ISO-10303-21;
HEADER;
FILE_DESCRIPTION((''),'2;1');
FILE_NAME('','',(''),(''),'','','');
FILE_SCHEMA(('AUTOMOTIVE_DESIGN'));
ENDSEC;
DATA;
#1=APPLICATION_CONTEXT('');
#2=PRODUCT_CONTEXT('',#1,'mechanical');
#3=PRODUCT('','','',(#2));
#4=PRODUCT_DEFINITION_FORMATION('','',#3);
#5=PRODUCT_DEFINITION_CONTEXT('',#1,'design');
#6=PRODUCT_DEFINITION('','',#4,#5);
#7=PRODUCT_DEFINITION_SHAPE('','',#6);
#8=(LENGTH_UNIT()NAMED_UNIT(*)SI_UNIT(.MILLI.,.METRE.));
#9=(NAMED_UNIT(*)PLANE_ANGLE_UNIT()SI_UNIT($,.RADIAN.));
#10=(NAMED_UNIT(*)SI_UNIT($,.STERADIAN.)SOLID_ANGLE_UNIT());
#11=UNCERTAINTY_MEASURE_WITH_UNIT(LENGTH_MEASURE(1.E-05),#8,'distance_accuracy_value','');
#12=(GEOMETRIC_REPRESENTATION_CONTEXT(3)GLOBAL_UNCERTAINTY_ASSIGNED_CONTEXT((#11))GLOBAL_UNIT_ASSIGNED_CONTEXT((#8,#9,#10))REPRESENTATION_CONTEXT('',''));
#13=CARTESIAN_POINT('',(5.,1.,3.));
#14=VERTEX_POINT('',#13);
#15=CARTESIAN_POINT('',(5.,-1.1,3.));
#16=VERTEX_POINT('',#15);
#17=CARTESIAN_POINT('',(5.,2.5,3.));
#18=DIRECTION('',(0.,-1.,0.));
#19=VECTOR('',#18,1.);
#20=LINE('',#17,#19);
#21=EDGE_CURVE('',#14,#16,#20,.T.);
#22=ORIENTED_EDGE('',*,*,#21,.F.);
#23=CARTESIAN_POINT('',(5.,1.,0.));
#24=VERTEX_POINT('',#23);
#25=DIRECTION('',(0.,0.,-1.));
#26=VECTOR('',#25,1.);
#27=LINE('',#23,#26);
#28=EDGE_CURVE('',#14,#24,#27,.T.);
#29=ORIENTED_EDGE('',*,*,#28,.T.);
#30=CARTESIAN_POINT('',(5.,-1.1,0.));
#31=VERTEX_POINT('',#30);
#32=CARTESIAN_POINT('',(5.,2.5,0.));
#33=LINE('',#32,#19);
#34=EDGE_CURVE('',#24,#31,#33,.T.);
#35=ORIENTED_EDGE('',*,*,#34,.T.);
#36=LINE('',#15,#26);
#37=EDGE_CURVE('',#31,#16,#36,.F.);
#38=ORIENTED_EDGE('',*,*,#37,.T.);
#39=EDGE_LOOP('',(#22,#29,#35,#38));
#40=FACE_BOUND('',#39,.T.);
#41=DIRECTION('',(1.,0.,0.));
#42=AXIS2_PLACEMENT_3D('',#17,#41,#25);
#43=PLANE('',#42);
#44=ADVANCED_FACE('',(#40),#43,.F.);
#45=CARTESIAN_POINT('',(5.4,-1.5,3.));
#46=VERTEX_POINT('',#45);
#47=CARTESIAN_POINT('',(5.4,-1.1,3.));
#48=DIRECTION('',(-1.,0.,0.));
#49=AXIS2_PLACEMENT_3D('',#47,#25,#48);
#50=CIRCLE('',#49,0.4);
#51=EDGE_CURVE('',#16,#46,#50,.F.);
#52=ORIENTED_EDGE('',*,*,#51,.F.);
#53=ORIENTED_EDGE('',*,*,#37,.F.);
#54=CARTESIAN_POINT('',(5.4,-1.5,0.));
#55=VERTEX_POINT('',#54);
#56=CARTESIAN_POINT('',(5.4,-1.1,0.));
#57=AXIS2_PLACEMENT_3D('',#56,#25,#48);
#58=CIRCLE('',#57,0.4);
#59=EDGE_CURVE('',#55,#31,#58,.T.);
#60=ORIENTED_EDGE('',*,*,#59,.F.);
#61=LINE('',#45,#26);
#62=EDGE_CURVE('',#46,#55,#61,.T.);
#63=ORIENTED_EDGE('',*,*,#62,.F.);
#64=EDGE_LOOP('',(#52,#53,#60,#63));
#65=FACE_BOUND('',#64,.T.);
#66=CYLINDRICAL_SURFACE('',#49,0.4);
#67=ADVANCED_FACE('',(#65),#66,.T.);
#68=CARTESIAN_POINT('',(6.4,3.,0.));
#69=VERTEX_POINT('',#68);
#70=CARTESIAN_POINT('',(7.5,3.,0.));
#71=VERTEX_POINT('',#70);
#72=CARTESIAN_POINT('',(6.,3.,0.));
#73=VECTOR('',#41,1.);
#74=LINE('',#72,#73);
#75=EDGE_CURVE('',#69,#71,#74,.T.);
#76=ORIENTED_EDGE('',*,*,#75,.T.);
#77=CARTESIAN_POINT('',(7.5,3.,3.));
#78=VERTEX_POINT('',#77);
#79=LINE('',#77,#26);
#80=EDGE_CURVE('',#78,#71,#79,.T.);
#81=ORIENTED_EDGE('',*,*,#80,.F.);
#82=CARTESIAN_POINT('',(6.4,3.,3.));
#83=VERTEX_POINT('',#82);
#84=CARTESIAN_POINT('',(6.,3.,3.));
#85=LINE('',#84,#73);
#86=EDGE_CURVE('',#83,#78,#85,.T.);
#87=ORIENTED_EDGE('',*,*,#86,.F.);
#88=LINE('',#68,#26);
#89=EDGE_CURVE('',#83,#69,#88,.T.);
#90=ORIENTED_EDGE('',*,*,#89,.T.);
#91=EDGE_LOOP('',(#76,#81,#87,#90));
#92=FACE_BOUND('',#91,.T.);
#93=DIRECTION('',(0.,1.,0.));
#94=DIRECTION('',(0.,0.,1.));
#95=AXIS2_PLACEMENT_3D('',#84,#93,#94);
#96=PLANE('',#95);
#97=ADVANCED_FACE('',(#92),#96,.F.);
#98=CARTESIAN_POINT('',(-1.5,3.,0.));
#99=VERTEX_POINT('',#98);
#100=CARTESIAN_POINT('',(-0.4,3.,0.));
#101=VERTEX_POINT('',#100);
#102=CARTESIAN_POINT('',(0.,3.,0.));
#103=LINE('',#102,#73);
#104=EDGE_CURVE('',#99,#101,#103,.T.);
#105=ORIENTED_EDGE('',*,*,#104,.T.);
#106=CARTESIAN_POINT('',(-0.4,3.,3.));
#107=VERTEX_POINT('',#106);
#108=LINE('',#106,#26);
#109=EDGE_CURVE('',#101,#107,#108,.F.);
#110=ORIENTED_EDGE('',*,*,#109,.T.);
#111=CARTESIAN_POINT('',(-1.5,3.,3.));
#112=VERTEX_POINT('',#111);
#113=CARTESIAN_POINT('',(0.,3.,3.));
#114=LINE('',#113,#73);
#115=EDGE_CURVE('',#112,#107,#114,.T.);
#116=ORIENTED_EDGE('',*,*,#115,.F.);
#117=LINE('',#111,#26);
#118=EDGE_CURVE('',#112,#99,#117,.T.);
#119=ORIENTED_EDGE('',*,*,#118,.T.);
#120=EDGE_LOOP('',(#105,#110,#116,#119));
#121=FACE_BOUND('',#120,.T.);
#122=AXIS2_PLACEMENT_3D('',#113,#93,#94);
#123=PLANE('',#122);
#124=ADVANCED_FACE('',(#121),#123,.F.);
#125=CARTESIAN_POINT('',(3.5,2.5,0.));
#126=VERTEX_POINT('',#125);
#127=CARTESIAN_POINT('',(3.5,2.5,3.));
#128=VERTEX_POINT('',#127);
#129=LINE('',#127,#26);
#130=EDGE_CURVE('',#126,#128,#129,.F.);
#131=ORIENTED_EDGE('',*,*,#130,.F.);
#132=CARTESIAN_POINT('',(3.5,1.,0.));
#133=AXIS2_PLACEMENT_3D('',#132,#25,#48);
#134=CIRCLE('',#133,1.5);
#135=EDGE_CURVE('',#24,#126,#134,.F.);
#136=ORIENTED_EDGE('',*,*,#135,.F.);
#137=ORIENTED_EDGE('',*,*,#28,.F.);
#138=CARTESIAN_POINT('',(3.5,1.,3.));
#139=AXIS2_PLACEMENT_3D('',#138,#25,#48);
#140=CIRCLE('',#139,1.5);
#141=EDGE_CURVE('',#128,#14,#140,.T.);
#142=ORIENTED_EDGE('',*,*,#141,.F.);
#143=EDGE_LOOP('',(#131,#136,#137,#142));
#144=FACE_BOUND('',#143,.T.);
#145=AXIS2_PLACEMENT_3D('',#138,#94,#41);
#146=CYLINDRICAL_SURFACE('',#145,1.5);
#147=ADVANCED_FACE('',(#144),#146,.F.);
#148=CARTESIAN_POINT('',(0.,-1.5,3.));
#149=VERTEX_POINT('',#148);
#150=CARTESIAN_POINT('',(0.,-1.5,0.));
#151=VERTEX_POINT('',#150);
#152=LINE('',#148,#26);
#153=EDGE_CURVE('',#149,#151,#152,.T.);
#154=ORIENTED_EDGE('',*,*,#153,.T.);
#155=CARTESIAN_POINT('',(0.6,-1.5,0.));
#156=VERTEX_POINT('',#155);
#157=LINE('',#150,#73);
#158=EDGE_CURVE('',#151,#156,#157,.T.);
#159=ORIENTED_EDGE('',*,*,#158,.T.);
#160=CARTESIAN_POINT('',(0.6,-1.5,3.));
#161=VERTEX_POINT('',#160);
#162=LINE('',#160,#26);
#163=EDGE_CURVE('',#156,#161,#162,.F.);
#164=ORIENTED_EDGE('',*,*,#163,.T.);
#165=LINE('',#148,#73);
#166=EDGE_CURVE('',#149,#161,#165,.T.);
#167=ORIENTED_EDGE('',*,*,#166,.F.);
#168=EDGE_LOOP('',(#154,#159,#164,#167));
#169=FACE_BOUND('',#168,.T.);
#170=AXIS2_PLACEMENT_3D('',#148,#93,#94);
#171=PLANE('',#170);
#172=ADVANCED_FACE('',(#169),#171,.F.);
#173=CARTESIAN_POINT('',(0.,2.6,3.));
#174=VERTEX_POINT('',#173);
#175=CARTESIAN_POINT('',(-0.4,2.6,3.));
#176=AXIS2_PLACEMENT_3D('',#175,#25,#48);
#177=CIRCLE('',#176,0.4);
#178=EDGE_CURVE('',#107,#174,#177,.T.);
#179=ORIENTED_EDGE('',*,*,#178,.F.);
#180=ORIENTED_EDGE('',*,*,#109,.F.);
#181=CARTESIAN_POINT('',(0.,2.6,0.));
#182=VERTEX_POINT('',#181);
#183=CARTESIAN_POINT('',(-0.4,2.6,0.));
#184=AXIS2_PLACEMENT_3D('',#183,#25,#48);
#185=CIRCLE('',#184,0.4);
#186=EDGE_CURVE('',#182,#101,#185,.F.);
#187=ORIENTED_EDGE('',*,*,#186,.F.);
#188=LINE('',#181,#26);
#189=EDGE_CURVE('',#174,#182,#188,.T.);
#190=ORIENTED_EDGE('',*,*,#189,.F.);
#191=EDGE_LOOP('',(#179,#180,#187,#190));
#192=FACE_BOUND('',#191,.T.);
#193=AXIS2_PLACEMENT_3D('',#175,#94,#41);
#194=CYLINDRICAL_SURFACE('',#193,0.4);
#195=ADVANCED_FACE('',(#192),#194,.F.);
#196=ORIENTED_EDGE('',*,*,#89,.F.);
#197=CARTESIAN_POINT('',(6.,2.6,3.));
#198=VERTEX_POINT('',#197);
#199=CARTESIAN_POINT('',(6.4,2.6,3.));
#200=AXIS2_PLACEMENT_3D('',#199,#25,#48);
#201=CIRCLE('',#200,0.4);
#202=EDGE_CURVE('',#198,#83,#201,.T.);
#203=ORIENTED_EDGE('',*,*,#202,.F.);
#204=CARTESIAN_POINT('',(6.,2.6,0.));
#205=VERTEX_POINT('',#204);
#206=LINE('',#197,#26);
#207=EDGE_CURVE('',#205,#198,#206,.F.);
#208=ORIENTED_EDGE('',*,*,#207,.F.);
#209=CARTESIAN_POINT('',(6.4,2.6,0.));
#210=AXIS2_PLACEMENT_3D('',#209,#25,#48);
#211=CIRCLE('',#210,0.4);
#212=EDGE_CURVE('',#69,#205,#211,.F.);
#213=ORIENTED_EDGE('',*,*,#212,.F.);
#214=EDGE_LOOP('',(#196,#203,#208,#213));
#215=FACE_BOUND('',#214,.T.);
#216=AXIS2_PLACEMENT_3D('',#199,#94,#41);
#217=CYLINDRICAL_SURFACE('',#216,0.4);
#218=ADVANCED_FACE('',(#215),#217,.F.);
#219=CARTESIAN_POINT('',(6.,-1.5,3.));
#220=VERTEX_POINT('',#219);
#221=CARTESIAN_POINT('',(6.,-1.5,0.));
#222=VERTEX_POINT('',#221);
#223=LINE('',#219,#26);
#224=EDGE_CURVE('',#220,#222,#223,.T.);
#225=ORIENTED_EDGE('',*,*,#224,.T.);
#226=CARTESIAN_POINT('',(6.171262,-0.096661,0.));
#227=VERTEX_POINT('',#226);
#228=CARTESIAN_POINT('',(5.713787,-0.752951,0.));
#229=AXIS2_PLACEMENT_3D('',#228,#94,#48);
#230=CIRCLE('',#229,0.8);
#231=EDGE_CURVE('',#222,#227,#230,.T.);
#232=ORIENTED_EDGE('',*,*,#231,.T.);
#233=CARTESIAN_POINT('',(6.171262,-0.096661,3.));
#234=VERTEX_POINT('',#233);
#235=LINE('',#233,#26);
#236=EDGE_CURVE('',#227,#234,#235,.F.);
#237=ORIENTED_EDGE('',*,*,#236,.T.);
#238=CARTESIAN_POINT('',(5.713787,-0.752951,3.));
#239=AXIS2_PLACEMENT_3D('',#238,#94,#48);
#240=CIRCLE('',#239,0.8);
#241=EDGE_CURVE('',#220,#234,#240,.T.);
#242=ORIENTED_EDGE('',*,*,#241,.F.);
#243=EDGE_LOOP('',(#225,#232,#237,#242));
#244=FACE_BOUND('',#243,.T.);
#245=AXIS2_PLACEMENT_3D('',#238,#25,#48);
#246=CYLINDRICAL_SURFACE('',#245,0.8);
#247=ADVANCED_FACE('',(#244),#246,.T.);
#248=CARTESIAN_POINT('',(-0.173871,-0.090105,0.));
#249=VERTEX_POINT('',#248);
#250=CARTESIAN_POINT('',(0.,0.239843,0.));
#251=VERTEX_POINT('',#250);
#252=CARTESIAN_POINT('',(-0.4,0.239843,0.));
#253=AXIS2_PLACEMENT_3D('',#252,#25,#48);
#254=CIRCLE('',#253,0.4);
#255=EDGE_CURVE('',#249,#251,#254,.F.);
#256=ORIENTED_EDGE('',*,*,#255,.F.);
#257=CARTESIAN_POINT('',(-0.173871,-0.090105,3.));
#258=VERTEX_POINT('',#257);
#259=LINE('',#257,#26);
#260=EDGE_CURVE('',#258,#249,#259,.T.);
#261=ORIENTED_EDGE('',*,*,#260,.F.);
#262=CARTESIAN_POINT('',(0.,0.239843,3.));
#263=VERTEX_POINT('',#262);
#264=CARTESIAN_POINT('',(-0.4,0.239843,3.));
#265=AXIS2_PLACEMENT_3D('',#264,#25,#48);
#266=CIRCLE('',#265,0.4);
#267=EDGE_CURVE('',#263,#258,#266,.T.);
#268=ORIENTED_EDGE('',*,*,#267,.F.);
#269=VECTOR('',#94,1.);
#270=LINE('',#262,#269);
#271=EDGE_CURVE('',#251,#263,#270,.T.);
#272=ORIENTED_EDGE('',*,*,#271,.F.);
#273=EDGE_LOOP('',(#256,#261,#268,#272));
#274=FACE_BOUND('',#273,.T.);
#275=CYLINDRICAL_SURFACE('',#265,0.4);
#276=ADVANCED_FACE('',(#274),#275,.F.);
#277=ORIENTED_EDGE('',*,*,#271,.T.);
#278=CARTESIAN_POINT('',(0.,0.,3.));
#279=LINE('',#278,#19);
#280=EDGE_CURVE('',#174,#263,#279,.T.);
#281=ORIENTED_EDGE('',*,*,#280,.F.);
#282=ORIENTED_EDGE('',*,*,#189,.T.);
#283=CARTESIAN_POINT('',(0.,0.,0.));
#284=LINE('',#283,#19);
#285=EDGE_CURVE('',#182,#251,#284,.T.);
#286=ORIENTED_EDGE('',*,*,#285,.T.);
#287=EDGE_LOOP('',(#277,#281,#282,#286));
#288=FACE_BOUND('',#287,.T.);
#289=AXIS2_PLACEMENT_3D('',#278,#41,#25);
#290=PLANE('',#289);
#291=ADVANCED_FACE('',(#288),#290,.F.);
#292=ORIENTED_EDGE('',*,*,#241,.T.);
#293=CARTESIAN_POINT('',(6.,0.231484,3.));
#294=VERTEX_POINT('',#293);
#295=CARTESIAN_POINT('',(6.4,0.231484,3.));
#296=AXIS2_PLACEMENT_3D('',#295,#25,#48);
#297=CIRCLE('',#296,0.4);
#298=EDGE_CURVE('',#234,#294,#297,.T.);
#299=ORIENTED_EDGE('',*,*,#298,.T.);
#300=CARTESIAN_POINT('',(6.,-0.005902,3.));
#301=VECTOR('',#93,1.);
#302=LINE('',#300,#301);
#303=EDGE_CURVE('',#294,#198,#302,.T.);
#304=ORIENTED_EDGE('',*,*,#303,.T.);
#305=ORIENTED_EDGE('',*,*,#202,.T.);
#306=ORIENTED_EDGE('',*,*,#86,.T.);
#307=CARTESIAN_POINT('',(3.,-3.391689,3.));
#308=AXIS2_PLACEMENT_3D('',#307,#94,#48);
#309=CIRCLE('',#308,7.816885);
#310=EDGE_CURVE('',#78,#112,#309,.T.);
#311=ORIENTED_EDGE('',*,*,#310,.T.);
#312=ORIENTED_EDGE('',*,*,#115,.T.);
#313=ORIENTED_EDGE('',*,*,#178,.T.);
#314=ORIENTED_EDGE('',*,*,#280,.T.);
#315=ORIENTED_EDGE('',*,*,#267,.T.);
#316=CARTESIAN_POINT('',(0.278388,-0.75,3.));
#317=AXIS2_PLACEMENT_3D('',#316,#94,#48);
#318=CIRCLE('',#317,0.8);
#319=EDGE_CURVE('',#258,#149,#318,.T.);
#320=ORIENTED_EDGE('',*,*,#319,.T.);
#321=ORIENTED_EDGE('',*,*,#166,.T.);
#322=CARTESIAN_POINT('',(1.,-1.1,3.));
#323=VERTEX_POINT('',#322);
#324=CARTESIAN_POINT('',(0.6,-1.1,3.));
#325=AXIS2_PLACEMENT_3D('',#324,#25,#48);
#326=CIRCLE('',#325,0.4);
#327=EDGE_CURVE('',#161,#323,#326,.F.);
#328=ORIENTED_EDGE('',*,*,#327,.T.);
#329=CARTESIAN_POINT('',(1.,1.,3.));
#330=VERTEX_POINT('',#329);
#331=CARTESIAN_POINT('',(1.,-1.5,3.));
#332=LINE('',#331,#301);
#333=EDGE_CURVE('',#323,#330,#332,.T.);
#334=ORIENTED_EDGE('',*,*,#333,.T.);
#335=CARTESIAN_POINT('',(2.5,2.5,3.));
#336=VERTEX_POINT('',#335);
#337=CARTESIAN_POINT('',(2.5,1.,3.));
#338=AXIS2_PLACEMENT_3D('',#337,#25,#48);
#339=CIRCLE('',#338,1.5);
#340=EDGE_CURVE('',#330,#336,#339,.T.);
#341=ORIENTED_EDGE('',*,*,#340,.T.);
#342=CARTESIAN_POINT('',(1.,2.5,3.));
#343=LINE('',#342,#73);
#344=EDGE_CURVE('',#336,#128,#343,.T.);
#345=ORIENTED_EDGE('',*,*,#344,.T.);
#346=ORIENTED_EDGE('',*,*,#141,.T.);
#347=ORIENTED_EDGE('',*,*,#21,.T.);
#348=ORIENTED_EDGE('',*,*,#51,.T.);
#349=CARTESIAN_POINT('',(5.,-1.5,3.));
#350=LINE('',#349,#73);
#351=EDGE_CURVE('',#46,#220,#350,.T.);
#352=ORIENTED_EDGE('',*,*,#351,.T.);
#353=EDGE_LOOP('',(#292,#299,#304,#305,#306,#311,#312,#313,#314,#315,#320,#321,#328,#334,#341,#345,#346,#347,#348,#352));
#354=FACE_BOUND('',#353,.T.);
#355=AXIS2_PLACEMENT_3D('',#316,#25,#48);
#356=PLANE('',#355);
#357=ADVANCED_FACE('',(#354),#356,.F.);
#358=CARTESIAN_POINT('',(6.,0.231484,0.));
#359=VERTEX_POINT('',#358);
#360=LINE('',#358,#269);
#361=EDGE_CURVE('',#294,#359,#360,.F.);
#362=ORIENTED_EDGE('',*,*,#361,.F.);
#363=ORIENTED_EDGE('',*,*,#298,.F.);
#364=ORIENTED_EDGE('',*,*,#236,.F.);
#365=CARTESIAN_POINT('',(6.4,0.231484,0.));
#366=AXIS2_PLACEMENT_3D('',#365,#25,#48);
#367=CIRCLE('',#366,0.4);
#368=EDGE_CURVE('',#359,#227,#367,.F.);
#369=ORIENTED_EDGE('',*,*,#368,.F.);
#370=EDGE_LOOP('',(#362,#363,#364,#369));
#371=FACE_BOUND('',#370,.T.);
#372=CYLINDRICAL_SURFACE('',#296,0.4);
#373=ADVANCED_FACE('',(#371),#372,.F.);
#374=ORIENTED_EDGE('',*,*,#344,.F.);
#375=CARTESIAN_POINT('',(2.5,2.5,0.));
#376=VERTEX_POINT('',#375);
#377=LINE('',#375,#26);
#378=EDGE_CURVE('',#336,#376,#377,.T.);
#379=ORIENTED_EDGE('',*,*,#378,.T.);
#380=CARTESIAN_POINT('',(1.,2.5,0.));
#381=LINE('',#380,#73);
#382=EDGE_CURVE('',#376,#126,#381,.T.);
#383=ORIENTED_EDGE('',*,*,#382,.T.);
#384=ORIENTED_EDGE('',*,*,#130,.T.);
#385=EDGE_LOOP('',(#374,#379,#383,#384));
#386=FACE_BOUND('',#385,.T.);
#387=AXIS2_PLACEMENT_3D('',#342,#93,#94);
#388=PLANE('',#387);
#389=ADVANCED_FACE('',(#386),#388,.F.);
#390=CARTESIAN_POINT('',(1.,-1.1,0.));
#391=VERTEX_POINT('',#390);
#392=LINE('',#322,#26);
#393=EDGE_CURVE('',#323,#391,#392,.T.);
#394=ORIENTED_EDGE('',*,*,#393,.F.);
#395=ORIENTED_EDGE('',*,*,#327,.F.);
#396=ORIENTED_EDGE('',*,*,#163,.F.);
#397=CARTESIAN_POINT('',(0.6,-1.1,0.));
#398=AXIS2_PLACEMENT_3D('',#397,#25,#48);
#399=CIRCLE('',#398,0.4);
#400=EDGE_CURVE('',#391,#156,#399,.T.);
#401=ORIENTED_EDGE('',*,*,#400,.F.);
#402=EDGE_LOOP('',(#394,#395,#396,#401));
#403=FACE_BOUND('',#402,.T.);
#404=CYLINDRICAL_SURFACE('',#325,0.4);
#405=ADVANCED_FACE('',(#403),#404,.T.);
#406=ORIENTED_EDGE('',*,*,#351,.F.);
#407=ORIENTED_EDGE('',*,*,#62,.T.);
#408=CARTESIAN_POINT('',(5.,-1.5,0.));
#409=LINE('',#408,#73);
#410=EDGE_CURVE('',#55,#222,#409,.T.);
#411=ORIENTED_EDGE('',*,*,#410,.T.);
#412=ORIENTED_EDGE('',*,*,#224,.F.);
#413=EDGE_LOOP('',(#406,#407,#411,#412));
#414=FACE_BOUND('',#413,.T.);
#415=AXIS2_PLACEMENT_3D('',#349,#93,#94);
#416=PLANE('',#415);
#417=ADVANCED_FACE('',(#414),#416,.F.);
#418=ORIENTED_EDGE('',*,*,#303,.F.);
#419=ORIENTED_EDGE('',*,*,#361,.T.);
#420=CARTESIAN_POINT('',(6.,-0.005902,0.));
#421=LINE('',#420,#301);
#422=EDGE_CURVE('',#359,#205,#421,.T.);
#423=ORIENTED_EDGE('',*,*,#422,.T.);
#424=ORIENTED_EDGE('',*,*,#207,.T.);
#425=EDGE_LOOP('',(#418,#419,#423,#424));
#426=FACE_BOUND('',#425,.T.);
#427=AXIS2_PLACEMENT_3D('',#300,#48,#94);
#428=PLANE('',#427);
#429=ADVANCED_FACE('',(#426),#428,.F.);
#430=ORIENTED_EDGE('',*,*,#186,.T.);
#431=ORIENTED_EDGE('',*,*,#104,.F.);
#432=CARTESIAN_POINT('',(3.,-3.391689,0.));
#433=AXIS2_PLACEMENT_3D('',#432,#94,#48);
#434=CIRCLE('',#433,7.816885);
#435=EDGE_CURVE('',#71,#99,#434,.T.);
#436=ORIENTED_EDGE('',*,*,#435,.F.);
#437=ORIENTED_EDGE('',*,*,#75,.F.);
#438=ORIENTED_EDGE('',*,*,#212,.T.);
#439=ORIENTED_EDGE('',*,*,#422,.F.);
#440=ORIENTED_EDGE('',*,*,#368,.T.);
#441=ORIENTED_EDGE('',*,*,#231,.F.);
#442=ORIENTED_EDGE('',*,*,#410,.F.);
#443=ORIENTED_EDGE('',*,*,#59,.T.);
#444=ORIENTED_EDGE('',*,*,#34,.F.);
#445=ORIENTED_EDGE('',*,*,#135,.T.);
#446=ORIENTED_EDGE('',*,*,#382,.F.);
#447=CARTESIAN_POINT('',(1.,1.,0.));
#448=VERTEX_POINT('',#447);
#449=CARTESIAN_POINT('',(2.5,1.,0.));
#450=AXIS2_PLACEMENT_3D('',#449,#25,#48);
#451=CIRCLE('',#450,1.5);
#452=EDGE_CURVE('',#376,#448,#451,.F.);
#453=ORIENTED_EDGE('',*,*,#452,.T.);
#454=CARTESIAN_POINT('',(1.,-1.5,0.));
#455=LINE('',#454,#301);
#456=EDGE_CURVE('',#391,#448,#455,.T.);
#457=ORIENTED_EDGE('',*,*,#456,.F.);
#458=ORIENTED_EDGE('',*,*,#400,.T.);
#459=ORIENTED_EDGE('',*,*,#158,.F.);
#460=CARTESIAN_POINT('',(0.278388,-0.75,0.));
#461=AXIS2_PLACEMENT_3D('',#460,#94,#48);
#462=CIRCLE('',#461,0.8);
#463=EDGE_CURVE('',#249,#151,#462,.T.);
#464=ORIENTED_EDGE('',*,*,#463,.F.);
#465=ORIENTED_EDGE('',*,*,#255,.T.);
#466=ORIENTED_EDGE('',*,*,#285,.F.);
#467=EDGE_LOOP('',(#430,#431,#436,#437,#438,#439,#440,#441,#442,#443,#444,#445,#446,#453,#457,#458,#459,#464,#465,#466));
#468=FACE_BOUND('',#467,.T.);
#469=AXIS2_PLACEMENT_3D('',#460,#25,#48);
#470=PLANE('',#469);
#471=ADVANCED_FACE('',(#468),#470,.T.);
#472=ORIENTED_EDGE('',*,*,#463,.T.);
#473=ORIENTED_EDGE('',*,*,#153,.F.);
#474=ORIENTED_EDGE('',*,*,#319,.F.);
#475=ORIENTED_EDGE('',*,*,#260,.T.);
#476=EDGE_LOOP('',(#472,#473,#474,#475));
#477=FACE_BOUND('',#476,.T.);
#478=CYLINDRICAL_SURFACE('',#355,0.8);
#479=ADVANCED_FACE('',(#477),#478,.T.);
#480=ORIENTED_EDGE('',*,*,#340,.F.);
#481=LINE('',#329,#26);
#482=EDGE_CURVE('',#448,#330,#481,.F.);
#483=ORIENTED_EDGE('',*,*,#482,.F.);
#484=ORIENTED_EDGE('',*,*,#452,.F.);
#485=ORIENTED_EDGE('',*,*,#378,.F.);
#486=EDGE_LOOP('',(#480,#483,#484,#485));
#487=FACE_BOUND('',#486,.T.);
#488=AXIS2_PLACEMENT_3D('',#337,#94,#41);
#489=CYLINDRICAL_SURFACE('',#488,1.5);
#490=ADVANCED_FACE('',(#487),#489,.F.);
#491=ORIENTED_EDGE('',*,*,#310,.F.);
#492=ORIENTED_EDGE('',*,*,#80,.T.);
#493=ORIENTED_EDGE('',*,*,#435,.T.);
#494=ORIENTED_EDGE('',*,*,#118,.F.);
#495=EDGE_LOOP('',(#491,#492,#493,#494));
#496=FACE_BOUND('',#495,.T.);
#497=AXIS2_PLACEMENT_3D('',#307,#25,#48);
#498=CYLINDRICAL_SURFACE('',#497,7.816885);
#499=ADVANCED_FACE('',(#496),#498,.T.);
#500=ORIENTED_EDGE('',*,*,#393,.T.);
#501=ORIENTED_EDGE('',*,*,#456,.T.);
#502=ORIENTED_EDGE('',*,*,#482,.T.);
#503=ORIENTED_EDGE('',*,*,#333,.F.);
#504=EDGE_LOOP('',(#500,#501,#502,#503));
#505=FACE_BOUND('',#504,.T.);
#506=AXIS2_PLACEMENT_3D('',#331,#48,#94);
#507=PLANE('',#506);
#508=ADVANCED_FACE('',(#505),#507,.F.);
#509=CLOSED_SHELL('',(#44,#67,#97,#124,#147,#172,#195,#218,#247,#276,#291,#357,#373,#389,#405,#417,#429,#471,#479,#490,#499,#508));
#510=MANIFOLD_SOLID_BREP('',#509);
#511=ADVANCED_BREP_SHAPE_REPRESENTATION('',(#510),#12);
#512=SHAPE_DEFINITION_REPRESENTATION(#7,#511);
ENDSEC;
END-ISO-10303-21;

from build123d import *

# Parameters (mm, degrees)
DODANIE_WYCI_GNI_CIE1_DEPTH = 3
ZAOKR_GLENIE2_R             = 0.4
ZAOKR_GLENIE3_R             = 1.5


with BuildPart() as part:
    # Szkic1 → Dodanie-wyciągnięcie1 (new body)
    with BuildSketch(Plane.XY):
        with BuildLine():
            Line((0, 3), (-1.5, 3))
            ThreePointArc((-1.5, 3), (3, 4.425195836), (7.5, 3))
            Line((7.5, 3), (6, 3))
            Line((6, 3), (6, -0.005902175))
            ThreePointArc((6, -0.005902175), (6.513786929, -0.752951087), (6, -1.5))
            Line((6, -1.5), (5, -1.5))
            Line((5, -1.5), (5, 2.5))
            Line((5, 2.5), (1, 2.5))
            Line((1, 2.5), (1, -1.5))
            Line((1, -1.5), (0, -1.5))
            ThreePointArc((0, -1.5), (-0.521611782, -0.75), (0, 0))
            Line((0, 0), (0, 3))
        make_face()
    extrude(amount=DODANIE_WYCI_GNI_CIE1_DEPTH)

    # Zaokrąglenie2
    zaokr_glenie2_edges = [part.edges().sort_by_distance(p)[0] for p in [
        (0, 0, 1.5),
        (0, 3, 1.5),
        (6, 3, 1.5),
        (6, -0.005902175, 1.5),
        (5, -1.5, 1.5),
        (1, -1.5, 1.5),
    ]]
    fillet(zaokr_glenie2_edges, radius=ZAOKR_GLENIE2_R)

    # Zaokrąglenie3
    zaokr_glenie3_edges = [part.edges().sort_by_distance(p)[0] for p in [
        (5, 2.5, 1.5),
        (1, 2.5, 1.5),
    ]]
    fillet(zaokr_glenie3_edges, radius=ZAOKR_GLENIE3_R)


solid = part.part
